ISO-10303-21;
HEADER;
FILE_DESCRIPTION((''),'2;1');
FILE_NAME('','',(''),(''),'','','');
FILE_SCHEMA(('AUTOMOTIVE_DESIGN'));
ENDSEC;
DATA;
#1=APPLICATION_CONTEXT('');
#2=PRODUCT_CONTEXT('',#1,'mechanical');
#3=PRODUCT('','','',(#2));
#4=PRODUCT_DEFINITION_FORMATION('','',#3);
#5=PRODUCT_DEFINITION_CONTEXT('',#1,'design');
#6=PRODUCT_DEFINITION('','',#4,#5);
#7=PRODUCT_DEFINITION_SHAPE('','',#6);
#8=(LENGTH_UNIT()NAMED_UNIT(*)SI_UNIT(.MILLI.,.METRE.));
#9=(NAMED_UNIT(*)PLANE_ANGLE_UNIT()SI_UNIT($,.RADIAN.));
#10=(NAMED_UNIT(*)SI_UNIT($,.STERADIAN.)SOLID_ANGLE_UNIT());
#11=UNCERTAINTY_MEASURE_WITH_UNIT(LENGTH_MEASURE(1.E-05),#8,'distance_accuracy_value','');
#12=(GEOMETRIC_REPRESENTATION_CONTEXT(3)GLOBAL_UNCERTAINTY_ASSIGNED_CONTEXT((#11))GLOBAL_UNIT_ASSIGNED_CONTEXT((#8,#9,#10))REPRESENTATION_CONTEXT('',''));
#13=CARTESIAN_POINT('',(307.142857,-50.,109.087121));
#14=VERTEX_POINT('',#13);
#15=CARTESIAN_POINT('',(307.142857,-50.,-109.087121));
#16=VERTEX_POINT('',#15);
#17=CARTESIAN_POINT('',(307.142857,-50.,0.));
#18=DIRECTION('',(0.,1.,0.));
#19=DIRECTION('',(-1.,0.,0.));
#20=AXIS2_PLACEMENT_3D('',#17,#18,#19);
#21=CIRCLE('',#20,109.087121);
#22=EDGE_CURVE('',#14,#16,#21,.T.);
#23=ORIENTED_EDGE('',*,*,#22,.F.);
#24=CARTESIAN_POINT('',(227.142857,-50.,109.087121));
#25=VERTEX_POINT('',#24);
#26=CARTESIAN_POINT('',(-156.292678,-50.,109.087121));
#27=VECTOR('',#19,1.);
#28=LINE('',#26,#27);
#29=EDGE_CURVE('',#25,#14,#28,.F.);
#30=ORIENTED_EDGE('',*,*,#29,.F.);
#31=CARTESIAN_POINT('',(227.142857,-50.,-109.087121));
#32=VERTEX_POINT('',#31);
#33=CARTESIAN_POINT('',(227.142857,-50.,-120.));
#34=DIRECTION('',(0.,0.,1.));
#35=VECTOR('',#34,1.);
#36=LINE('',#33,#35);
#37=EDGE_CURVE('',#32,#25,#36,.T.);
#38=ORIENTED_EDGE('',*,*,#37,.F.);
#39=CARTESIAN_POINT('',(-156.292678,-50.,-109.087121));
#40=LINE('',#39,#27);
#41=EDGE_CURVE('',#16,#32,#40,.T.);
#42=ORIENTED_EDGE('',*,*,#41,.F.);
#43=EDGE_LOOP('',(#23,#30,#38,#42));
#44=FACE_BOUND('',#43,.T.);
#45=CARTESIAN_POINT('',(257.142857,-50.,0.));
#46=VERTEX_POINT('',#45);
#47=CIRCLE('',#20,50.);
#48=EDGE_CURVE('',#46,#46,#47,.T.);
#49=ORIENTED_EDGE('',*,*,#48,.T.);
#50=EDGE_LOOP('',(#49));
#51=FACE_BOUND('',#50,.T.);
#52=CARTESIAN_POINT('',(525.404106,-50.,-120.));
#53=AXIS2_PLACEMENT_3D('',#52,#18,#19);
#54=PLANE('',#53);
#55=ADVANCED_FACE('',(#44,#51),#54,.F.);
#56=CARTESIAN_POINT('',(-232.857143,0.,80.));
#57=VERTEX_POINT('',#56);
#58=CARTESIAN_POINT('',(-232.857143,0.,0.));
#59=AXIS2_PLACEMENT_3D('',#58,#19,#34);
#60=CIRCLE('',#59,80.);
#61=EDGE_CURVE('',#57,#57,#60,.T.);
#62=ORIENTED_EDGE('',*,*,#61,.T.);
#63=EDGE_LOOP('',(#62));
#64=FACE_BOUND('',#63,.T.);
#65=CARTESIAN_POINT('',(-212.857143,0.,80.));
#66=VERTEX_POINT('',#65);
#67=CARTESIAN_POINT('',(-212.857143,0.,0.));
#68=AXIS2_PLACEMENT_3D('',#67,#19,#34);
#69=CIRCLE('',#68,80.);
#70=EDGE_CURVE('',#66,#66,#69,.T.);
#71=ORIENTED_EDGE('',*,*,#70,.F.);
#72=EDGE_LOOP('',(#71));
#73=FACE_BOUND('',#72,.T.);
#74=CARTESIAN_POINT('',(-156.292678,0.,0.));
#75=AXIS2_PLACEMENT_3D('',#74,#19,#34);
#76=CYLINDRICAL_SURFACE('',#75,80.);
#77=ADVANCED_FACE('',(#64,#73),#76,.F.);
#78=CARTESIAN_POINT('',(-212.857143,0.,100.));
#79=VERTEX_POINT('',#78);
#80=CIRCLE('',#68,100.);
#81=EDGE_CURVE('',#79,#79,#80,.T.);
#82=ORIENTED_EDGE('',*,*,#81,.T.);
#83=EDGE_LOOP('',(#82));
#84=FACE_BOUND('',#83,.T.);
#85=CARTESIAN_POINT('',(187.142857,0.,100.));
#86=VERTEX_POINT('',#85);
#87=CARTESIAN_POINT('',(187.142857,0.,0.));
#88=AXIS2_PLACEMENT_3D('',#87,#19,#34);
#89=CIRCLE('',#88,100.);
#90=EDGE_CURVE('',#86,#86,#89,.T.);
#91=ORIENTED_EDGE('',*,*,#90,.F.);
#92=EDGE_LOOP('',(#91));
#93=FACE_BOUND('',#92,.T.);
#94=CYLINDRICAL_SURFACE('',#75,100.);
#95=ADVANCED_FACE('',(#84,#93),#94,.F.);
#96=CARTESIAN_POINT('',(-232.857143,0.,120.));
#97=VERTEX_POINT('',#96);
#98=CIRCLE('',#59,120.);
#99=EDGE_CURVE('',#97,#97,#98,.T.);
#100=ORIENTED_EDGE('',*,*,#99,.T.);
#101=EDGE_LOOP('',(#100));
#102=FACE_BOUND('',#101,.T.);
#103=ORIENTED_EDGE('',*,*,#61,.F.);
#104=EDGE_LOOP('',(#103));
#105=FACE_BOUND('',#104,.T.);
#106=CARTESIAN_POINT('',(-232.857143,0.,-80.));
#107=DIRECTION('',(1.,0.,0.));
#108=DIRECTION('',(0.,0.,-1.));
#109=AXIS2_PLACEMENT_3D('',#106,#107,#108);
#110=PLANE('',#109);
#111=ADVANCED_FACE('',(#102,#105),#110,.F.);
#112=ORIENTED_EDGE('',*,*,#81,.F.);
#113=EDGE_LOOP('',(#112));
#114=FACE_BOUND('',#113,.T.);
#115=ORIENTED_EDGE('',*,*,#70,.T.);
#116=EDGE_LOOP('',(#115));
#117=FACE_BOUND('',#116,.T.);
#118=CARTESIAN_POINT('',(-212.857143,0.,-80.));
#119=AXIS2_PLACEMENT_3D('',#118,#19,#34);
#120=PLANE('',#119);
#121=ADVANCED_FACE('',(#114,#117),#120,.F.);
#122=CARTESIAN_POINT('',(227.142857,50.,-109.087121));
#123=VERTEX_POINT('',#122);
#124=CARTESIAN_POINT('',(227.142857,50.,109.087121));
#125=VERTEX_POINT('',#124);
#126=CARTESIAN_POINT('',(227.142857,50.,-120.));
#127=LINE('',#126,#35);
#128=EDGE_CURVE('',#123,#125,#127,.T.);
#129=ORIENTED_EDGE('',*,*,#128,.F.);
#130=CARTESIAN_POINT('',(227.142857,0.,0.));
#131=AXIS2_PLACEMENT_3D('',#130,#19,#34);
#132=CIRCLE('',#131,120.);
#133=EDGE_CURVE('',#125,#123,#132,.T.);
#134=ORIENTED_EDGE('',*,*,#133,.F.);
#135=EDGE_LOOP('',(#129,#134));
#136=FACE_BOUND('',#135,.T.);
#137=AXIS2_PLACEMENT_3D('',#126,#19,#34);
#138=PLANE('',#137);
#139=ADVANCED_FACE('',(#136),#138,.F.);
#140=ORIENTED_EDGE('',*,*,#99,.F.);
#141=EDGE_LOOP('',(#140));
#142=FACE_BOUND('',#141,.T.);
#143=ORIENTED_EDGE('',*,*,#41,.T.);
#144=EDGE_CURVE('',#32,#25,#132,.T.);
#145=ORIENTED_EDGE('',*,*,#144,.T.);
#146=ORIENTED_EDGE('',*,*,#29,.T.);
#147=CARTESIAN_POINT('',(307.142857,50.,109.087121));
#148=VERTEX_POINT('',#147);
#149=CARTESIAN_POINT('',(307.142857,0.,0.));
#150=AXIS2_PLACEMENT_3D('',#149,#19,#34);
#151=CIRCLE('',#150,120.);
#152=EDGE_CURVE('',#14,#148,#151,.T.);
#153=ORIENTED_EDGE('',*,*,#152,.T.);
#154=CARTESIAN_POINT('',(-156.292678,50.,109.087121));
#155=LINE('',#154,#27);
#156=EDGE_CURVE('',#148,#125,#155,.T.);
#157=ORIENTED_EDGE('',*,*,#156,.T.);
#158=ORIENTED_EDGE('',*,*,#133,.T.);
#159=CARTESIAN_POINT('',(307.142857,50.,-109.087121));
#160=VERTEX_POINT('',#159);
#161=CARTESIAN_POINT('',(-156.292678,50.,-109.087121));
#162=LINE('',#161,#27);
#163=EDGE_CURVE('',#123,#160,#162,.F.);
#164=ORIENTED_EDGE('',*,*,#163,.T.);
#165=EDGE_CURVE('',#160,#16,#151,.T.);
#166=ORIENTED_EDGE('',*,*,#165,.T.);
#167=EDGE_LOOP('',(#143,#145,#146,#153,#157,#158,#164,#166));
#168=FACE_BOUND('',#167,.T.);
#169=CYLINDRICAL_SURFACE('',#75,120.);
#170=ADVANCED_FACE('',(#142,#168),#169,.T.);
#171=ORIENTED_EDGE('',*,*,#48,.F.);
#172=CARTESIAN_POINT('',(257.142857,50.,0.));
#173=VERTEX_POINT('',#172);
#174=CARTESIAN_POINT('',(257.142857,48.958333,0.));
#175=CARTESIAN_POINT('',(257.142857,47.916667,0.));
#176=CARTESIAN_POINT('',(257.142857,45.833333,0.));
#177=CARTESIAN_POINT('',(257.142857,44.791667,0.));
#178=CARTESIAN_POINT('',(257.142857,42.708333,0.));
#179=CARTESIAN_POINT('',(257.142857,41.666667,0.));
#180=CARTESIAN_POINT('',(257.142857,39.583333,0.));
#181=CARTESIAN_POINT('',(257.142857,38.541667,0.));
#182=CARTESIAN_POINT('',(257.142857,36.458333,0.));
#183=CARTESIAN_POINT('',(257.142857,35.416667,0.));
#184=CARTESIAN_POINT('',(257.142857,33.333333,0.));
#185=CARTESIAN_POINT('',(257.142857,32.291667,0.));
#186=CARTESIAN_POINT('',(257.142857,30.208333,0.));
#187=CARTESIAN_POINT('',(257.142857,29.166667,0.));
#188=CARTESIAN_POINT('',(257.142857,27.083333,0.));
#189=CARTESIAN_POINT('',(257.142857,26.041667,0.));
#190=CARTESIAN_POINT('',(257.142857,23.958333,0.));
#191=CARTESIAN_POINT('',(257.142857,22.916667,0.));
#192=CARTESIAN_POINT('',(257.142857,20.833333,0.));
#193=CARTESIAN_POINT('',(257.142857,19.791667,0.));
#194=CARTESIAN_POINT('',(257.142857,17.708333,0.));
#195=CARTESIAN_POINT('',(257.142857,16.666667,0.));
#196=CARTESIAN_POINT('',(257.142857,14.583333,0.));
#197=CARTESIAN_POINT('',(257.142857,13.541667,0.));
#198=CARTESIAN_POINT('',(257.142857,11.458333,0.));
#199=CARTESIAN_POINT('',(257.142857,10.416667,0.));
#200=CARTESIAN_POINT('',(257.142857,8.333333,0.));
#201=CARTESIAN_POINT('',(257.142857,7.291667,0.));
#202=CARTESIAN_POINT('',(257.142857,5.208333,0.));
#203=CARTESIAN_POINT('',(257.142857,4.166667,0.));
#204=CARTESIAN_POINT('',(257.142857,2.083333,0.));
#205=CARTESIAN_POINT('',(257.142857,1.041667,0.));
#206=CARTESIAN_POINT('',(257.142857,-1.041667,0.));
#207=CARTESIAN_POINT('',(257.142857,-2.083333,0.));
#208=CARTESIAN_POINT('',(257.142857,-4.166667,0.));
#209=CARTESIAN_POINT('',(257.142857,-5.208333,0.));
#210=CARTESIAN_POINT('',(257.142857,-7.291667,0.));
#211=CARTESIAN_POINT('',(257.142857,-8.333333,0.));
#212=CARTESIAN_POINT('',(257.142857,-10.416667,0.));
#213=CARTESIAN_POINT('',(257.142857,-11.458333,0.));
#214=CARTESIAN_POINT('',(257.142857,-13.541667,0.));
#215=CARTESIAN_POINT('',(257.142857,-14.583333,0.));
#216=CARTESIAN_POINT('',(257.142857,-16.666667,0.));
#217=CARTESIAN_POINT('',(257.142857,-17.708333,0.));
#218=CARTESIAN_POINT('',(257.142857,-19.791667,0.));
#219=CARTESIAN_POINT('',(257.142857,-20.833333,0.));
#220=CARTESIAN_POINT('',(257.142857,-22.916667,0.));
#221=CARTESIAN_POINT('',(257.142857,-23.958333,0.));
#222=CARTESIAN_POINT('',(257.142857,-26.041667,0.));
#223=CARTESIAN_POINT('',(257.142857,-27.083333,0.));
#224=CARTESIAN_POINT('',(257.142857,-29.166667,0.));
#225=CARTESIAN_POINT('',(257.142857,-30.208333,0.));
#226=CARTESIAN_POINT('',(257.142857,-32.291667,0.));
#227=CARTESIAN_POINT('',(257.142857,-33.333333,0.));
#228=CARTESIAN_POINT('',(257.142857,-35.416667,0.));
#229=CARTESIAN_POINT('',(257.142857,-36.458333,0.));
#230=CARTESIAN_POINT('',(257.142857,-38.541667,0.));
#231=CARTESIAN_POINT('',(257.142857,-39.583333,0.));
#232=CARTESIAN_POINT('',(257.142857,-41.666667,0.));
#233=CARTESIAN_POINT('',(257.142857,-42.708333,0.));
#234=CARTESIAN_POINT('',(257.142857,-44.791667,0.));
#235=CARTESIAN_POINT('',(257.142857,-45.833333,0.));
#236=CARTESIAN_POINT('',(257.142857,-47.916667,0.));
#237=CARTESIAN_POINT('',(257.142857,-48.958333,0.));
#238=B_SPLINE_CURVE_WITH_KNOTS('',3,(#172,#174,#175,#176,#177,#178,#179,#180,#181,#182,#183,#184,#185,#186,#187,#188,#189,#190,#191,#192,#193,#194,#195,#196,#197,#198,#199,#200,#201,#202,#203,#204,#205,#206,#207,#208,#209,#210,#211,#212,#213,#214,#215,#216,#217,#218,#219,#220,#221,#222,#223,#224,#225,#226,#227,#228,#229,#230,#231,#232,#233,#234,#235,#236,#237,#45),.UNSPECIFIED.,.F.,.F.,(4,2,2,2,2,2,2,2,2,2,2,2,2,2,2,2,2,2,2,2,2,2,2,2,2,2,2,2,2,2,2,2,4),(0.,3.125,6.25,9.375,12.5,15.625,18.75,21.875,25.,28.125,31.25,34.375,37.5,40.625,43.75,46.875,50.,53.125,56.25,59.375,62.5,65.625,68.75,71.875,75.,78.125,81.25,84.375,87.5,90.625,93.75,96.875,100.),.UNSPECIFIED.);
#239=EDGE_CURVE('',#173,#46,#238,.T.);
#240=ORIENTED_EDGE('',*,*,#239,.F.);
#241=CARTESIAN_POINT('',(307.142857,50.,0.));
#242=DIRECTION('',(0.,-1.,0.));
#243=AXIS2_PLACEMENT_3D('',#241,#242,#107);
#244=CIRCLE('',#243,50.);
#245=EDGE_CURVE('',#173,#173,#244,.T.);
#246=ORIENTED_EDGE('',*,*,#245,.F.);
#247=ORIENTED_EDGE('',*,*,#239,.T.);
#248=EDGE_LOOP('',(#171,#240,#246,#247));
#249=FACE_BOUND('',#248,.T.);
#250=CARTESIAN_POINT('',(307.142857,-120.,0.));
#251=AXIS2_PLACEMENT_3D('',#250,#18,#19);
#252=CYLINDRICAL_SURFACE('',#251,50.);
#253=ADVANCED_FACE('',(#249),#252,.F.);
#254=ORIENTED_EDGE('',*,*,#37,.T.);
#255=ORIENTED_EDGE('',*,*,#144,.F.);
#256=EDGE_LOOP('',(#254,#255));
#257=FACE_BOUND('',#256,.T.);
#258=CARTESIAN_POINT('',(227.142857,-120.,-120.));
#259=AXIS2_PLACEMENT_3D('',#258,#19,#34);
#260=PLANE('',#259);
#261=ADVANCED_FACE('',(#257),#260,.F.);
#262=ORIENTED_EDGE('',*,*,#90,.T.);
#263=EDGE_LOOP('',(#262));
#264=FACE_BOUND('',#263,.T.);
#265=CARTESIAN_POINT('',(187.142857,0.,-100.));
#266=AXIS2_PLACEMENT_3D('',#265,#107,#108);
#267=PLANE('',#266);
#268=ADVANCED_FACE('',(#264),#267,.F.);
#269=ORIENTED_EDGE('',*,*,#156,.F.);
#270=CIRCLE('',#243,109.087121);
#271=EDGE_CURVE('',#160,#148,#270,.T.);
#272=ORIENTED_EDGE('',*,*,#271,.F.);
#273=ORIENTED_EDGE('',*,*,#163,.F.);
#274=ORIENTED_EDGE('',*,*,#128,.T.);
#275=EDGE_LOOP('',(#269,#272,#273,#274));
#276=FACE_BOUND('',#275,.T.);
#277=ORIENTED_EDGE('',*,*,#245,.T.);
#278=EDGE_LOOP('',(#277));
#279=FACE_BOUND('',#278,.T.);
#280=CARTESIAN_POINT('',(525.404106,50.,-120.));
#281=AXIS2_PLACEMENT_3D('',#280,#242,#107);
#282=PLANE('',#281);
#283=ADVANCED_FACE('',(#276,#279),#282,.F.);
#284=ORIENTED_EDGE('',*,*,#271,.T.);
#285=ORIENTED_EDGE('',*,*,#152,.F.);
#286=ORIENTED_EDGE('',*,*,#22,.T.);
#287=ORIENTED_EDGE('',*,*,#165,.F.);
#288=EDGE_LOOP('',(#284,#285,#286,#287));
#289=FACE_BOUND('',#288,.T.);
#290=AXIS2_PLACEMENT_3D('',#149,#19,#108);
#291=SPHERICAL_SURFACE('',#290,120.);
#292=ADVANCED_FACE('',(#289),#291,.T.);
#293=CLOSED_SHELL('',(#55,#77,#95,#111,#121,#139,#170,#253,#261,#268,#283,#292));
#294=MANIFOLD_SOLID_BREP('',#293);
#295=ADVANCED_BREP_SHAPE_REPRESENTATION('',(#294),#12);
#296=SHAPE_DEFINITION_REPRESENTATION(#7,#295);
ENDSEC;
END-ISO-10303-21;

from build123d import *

# Parameters (mm, degrees)
CUT_EXTRUDE2_DEPTH      = 460.620517828
CUT_EXTRUDE2_DEPTH_BACK = 460.620517828
CUT_EXTRUDE3_DEPTH      = 476.132634543
CUT_EXTRUDE3_DEPTH_BACK = 476.132634543
SKETCH3_R               = 50


with BuildPart() as part:
    # Sketch1 → Revolve1 (revolve)
    with BuildSketch(Plane(origin=(0, 0, 0), x_dir=(1, 0, 0), z_dir=(0, 1, 0)), mode=Mode.PRIVATE) as revolve1_sk:
        with BuildLine():
            Line((-212.857142857, 80), (-232.857142857, 80))
            Line((-232.857142857, 80), (-232.857142857, 120))
            Line((-232.857142857, 120), (307.142857143, 120))
            ThreePointArc((307.142857143, 120), (391.995670885, 84.852813742), (427.142857143, 0))
            Line((427.142857143, 0), (307.142857143, 0))
            Line((307.142857143, 0), (187.142857143, 0))
            Line((187.142857143, 0), (187.142857143, 100))
            Line((187.142857143, 100), (-212.857142857, 100))
            Line((-212.857142857, 100), (-212.857142857, 80))
        make_face()
    revolve(revolve1_sk.sketch.rotate(Axis((-156.292678098, 0, 0), (1, 0, 0)), 180), axis=Axis((-156.292678098, 0, 0), (1, 0, 0)))

    # Sketch2 → Cut-Extrude2 (cut, two sides: drawn at the far end of the back side and taken through both)
    with BuildSketch(Plane.XY.offset(-CUT_EXTRUDE2_DEPTH_BACK)):
        Polygon((525.404105683, 50), (227.142857143, 50), (227.142857143, 120), (587.948795726, 120), (587.948795726, -120), (227.142857143, -120), (227.142857143, -50), (525.404105683, -50), align=None)
    extrude(amount=CUT_EXTRUDE2_DEPTH + CUT_EXTRUDE2_DEPTH_BACK, mode=Mode.SUBTRACT)

    # Sketch3 → Cut-Extrude3 (cut, two sides: drawn at the far end of the back side and taken through both)
    with BuildSketch(Plane(origin=(0, 50, 0), x_dir=(1, 0, 0), z_dir=(0, 1, 0)).offset(-CUT_EXTRUDE3_DEPTH_BACK)):
        with Locations(Location((307.142857143, 0, 0), (0, 0, 180))):
            Circle(SKETCH3_R)
    extrude(amount=CUT_EXTRUDE3_DEPTH + CUT_EXTRUDE3_DEPTH_BACK, mode=Mode.SUBTRACT)


solid = part.part
